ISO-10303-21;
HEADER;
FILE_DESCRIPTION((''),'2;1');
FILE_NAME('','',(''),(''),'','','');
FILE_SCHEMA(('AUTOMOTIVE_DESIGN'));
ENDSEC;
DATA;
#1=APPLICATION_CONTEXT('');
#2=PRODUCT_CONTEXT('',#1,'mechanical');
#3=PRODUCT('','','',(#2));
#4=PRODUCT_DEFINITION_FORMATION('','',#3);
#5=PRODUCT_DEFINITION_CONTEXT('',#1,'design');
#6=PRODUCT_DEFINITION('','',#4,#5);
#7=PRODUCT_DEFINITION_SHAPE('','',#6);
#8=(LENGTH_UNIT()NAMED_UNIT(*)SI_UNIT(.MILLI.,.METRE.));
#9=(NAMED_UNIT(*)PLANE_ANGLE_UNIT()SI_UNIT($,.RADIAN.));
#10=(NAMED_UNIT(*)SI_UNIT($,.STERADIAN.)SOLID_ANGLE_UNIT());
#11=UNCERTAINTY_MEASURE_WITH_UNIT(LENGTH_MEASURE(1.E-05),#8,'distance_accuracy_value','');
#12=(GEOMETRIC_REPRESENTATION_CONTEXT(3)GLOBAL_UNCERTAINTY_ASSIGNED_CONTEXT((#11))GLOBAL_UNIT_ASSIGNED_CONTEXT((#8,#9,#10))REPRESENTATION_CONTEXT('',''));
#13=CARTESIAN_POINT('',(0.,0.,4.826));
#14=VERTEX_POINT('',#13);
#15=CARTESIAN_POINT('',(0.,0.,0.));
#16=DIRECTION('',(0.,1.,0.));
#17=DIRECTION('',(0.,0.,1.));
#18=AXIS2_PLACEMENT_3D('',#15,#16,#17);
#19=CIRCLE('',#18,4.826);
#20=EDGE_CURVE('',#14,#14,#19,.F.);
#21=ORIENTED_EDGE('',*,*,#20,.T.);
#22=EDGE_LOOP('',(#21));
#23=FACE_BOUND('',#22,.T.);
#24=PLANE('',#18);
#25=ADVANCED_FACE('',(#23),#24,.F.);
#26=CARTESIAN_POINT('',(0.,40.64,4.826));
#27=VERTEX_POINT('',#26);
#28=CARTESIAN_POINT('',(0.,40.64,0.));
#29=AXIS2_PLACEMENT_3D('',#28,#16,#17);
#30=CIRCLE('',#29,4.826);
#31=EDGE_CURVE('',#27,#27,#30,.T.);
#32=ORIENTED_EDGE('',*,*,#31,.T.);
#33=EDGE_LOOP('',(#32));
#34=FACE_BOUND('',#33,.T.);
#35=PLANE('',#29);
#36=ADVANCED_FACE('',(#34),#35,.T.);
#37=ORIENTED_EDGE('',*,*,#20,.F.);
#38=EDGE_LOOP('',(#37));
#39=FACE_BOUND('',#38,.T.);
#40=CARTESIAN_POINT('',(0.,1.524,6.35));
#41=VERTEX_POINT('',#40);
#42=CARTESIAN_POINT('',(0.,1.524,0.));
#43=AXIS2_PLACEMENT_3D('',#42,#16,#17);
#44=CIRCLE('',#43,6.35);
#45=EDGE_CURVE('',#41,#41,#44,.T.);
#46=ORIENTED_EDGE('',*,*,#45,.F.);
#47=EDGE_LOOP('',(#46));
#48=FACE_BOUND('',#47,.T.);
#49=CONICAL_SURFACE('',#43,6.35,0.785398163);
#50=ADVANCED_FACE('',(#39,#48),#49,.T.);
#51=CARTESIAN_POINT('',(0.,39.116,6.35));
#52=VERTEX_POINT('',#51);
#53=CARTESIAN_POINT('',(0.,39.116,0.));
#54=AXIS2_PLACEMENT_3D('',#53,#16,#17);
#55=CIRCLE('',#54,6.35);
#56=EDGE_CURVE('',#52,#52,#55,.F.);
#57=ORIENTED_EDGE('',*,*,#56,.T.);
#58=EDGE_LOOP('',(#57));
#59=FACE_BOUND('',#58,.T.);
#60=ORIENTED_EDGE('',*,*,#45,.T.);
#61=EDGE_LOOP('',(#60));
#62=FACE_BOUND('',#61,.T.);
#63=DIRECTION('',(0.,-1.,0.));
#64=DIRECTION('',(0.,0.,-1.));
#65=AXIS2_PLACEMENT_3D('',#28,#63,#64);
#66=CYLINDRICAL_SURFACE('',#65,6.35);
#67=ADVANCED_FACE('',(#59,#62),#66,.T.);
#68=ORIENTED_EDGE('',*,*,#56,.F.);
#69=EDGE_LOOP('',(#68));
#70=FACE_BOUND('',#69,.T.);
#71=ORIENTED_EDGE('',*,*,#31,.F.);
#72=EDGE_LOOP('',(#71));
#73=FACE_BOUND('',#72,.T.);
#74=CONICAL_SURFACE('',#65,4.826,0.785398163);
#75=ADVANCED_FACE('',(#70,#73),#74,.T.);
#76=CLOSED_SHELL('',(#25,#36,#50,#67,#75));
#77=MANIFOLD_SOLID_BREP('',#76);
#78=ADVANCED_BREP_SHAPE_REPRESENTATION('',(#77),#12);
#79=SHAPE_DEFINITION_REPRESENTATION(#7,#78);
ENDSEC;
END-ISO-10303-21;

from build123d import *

# Parameters (mm, degrees)
SKETCH2_R           = 6.35
BOSS_EXTRUDE1_DEPTH = 40.64
CHAMFER1_SIZE       = 1.524


with BuildPart() as part:
    # Sketch2 → Boss-Extrude1 (new body)
    with BuildSketch(Plane(origin=(0, 0, 0), x_dir=(1, 0, 0), z_dir=(0, 1, 0))):
        Circle(SKETCH2_R)
    extrude(amount=BOSS_EXTRUDE1_DEPTH)

    # Chamfer1
    chamfer1_edges = [part.edges().sort_by_distance(p)[0] for p in [
        (-6.35, 0, 0),
        (-6.35, 40.64, 0),
    ]]
    chamfer(chamfer1_edges, length=CHAMFER1_SIZE)


solid = part.part
